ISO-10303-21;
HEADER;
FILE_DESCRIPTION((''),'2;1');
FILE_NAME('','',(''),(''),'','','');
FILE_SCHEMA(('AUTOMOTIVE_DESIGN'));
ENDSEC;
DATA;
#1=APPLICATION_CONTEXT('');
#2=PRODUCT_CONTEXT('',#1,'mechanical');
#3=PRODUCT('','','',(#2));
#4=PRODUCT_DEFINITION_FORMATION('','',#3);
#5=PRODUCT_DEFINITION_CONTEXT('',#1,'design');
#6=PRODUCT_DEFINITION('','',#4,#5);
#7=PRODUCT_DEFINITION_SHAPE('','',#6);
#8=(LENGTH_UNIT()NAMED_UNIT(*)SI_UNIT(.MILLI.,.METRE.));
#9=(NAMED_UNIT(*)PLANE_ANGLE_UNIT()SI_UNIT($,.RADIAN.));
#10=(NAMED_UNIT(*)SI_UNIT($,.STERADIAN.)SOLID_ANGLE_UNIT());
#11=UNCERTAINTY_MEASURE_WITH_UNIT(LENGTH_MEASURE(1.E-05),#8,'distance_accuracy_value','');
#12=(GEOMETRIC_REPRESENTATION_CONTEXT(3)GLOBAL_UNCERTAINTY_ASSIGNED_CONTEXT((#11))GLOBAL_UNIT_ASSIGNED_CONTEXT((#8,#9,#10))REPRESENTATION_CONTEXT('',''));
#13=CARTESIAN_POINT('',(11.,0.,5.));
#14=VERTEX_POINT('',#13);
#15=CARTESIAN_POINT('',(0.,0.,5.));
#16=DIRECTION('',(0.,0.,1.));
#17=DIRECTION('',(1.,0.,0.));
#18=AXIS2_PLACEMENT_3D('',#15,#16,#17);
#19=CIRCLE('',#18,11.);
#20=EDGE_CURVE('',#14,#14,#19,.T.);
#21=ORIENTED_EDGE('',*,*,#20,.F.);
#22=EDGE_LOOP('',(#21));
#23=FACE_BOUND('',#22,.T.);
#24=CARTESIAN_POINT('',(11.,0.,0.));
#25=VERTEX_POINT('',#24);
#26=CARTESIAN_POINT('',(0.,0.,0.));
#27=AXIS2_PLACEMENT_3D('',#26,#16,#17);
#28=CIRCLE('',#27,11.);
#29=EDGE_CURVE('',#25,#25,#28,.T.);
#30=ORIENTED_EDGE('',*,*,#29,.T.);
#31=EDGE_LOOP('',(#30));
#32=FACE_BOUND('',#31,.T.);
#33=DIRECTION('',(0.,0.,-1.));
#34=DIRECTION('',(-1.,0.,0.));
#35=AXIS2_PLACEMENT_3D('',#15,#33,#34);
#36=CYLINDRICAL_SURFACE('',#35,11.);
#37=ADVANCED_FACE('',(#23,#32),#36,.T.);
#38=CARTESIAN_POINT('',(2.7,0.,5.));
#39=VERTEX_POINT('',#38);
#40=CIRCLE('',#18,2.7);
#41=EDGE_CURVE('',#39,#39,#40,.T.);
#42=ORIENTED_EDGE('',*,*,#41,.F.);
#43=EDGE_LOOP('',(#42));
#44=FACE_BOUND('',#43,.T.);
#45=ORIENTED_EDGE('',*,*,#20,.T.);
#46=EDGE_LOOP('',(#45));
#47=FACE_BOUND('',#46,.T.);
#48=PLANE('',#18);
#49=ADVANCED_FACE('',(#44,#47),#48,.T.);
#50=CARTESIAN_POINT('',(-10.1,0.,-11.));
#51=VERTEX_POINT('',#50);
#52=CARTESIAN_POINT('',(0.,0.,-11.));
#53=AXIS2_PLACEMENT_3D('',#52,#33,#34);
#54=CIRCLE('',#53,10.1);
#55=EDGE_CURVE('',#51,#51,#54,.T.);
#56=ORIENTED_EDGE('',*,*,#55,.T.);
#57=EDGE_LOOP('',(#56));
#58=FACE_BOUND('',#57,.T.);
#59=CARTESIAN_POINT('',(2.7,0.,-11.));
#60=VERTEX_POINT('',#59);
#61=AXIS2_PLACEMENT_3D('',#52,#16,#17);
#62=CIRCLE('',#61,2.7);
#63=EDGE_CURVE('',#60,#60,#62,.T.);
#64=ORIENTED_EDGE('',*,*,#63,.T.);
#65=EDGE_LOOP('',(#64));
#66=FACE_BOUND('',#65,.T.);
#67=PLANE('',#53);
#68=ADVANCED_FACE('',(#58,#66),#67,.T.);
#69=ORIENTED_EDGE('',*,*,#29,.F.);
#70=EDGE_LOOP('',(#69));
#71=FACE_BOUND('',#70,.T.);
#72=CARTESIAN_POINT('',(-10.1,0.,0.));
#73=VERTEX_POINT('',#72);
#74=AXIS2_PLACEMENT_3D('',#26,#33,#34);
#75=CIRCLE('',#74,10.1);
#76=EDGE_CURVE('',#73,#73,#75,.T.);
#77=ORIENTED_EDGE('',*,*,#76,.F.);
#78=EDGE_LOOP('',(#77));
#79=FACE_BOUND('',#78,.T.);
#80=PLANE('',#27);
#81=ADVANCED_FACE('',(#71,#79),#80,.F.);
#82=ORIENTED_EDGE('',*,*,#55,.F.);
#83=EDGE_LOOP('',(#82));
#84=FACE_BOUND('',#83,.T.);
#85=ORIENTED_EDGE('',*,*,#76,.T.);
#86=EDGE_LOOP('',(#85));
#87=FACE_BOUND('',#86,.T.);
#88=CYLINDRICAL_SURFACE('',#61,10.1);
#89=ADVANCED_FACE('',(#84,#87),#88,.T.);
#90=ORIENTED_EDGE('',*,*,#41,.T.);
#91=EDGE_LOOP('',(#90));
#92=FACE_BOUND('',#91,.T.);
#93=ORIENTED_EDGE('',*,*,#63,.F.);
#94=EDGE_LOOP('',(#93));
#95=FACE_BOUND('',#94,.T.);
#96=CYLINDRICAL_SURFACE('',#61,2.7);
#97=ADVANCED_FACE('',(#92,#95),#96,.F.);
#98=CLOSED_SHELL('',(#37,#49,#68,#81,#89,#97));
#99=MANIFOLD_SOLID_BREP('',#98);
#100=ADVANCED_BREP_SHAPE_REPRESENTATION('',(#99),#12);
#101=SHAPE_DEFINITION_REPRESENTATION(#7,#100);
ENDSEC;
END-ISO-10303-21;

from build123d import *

# Parameters (mm, degrees)
SKETCH3_R           = 11
BOSS_EXTRUDE1_DEPTH = 5
SKETCH4_R           = 10.1
BOSS_EXTRUDE2_DEPTH = 11
SKETCH5_R           = 2.7
CUT_EXTRUDE1_DEPTH  = 17


with BuildPart() as part:
    # Sketch3 → Boss-Extrude1 (new body)
    with BuildSketch(Plane.XY):
        Circle(SKETCH3_R)
    extrude(amount=BOSS_EXTRUDE1_DEPTH)

    # Sketch4 → Boss-Extrude2 (add)
    with BuildSketch(Plane(origin=(0, 0, 0), x_dir=(-1, 0, 0), z_dir=(0, 0, -1))):
        Circle(SKETCH4_R)
    extrude(amount=BOSS_EXTRUDE2_DEPTH)

    # Sketch5 → Cut-Extrude1 (cut, through all)
    with BuildSketch(Plane.XY.offset(5)):
        Circle(SKETCH5_R)
    extrude(amount=-CUT_EXTRUDE1_DEPTH, mode=Mode.SUBTRACT)


solid = part.part
